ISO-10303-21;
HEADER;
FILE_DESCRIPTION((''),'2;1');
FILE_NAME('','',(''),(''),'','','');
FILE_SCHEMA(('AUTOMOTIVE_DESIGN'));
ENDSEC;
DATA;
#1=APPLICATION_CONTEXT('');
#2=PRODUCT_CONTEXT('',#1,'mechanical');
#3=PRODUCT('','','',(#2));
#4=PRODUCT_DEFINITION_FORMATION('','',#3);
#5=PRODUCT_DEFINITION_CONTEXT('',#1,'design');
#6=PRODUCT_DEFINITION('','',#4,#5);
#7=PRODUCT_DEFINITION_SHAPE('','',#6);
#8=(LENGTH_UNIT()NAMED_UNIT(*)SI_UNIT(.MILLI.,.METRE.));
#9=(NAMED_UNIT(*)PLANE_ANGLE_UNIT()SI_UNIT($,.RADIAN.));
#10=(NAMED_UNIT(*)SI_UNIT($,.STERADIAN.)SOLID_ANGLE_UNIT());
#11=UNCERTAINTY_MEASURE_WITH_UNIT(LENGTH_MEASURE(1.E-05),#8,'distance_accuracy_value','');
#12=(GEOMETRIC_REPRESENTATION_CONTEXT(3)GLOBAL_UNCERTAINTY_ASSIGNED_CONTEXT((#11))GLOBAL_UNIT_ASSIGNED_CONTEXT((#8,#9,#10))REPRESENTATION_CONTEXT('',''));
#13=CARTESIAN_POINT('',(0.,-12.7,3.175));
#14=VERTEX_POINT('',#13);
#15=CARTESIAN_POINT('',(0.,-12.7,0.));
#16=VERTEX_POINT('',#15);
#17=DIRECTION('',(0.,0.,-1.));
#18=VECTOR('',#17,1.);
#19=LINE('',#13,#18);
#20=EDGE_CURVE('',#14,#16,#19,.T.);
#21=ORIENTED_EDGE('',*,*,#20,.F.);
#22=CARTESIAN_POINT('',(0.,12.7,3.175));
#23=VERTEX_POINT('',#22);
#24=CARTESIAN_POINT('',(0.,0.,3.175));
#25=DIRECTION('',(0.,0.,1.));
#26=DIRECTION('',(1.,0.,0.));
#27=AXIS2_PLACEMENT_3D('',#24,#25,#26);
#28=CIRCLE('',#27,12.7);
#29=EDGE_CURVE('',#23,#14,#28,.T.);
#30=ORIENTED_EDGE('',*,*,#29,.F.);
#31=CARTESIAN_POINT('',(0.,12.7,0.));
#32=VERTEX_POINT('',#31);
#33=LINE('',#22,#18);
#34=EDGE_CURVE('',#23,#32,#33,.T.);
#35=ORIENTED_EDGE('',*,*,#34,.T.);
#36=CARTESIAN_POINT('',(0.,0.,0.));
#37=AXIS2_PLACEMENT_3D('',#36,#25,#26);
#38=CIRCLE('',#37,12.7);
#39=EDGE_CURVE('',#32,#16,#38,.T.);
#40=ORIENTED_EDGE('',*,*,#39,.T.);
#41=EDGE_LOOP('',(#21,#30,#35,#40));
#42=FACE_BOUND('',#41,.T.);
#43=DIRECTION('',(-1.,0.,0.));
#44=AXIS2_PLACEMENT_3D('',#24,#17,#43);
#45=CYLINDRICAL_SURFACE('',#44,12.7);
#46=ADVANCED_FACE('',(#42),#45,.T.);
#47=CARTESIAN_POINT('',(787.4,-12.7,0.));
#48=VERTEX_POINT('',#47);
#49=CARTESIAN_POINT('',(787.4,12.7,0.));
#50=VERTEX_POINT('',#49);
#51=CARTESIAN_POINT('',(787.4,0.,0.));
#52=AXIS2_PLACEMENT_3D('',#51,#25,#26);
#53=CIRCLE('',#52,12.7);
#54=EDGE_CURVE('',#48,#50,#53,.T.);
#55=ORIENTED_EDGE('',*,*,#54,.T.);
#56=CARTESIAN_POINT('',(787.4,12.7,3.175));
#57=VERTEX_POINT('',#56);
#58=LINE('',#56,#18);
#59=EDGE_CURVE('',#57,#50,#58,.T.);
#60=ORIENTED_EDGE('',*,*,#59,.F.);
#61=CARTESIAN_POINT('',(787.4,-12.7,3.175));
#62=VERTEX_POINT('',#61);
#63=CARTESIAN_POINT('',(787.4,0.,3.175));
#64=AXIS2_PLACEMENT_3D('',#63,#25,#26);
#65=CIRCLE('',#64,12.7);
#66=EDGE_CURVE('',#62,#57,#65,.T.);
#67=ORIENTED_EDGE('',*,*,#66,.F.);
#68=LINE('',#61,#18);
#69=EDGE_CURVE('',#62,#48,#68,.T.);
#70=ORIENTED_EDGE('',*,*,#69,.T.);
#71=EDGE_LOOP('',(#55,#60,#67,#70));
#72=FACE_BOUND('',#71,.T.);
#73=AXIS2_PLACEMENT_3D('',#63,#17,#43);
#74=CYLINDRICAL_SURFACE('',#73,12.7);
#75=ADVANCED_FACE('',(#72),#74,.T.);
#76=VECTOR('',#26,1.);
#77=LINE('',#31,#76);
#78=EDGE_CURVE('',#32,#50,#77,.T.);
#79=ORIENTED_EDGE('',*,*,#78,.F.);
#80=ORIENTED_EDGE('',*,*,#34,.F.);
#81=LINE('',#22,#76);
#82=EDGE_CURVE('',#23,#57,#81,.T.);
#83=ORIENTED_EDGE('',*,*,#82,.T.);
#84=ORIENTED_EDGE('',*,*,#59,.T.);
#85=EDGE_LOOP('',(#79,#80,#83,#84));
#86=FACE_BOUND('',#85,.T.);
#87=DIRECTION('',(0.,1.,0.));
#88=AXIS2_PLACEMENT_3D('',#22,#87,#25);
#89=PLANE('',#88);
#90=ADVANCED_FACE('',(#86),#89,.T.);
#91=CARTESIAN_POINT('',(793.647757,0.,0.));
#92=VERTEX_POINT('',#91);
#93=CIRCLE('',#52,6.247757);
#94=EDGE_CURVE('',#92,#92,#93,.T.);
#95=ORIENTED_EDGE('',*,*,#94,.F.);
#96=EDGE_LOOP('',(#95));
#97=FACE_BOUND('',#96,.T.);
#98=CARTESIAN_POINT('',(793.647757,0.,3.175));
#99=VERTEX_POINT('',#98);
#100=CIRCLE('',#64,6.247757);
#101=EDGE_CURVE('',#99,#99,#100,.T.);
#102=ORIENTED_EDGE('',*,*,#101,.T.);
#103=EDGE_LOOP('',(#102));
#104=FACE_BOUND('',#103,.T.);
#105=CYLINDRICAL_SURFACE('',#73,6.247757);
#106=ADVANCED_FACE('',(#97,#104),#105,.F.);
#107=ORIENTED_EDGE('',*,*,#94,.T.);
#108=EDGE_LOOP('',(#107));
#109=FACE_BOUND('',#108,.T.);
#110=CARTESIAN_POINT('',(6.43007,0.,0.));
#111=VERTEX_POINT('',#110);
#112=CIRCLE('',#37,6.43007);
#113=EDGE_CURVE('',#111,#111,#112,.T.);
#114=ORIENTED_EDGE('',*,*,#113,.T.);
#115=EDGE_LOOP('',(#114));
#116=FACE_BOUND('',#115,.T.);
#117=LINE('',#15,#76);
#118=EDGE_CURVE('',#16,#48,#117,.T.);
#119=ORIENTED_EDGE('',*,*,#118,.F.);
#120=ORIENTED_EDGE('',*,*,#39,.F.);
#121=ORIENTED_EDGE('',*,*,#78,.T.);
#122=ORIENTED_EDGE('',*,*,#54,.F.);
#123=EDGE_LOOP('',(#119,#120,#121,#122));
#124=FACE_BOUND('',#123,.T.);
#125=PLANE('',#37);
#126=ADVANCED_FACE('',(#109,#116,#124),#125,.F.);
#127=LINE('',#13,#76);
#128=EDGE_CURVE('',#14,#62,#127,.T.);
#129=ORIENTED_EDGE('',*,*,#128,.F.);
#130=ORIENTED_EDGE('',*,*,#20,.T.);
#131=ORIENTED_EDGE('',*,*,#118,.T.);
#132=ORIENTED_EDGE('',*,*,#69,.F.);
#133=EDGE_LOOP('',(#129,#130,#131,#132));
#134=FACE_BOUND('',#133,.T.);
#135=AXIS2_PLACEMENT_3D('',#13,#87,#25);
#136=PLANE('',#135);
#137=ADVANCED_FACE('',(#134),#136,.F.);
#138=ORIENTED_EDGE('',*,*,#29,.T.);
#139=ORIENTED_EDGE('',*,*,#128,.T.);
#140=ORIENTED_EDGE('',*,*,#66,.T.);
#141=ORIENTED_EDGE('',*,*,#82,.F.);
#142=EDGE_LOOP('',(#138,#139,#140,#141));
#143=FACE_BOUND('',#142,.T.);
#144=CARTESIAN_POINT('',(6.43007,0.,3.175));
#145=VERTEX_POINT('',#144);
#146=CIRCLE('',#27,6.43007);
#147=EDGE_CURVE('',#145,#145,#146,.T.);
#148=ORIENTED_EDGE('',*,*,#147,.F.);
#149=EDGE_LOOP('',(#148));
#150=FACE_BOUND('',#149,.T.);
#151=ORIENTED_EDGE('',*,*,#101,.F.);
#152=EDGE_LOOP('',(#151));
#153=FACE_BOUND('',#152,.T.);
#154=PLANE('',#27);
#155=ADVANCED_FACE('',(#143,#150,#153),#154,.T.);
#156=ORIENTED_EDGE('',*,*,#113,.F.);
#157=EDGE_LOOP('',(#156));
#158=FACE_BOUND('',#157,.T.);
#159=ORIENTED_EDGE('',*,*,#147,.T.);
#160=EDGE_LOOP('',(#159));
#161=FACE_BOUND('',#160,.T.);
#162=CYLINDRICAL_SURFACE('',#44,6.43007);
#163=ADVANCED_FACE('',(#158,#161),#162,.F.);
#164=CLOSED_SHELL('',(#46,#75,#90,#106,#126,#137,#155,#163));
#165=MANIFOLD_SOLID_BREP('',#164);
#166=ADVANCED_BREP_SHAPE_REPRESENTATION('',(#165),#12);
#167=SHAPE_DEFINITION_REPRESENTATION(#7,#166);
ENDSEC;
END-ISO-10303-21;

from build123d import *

# Parameters (mm, degrees)
SKETCH1_R           = 6.430069769
SKETCH1_R_2         = 6.247756724
BOSS_EXTRUDE1_DEPTH = 3.175


with BuildPart() as part:
    # Sketch1 → Boss-Extrude1 (new body)
    with BuildSketch(Plane.XY):
        with BuildLine():
            Line((0, 12.7), (787.4, 12.7))
            ThreePointArc((787.4, 12.7), (800.1, 0), (787.4, -12.7))
            Line((787.4, -12.7), (0, -12.7))
            ThreePointArc((0, -12.7), (-12.7, 0), (0, 12.7))
        make_face()
        Circle(SKETCH1_R, mode=Mode.SUBTRACT)
        with Locations((787.4, 0)):
            Circle(SKETCH1_R_2, mode=Mode.SUBTRACT)
    extrude(amount=BOSS_EXTRUDE1_DEPTH)


solid = part.part
